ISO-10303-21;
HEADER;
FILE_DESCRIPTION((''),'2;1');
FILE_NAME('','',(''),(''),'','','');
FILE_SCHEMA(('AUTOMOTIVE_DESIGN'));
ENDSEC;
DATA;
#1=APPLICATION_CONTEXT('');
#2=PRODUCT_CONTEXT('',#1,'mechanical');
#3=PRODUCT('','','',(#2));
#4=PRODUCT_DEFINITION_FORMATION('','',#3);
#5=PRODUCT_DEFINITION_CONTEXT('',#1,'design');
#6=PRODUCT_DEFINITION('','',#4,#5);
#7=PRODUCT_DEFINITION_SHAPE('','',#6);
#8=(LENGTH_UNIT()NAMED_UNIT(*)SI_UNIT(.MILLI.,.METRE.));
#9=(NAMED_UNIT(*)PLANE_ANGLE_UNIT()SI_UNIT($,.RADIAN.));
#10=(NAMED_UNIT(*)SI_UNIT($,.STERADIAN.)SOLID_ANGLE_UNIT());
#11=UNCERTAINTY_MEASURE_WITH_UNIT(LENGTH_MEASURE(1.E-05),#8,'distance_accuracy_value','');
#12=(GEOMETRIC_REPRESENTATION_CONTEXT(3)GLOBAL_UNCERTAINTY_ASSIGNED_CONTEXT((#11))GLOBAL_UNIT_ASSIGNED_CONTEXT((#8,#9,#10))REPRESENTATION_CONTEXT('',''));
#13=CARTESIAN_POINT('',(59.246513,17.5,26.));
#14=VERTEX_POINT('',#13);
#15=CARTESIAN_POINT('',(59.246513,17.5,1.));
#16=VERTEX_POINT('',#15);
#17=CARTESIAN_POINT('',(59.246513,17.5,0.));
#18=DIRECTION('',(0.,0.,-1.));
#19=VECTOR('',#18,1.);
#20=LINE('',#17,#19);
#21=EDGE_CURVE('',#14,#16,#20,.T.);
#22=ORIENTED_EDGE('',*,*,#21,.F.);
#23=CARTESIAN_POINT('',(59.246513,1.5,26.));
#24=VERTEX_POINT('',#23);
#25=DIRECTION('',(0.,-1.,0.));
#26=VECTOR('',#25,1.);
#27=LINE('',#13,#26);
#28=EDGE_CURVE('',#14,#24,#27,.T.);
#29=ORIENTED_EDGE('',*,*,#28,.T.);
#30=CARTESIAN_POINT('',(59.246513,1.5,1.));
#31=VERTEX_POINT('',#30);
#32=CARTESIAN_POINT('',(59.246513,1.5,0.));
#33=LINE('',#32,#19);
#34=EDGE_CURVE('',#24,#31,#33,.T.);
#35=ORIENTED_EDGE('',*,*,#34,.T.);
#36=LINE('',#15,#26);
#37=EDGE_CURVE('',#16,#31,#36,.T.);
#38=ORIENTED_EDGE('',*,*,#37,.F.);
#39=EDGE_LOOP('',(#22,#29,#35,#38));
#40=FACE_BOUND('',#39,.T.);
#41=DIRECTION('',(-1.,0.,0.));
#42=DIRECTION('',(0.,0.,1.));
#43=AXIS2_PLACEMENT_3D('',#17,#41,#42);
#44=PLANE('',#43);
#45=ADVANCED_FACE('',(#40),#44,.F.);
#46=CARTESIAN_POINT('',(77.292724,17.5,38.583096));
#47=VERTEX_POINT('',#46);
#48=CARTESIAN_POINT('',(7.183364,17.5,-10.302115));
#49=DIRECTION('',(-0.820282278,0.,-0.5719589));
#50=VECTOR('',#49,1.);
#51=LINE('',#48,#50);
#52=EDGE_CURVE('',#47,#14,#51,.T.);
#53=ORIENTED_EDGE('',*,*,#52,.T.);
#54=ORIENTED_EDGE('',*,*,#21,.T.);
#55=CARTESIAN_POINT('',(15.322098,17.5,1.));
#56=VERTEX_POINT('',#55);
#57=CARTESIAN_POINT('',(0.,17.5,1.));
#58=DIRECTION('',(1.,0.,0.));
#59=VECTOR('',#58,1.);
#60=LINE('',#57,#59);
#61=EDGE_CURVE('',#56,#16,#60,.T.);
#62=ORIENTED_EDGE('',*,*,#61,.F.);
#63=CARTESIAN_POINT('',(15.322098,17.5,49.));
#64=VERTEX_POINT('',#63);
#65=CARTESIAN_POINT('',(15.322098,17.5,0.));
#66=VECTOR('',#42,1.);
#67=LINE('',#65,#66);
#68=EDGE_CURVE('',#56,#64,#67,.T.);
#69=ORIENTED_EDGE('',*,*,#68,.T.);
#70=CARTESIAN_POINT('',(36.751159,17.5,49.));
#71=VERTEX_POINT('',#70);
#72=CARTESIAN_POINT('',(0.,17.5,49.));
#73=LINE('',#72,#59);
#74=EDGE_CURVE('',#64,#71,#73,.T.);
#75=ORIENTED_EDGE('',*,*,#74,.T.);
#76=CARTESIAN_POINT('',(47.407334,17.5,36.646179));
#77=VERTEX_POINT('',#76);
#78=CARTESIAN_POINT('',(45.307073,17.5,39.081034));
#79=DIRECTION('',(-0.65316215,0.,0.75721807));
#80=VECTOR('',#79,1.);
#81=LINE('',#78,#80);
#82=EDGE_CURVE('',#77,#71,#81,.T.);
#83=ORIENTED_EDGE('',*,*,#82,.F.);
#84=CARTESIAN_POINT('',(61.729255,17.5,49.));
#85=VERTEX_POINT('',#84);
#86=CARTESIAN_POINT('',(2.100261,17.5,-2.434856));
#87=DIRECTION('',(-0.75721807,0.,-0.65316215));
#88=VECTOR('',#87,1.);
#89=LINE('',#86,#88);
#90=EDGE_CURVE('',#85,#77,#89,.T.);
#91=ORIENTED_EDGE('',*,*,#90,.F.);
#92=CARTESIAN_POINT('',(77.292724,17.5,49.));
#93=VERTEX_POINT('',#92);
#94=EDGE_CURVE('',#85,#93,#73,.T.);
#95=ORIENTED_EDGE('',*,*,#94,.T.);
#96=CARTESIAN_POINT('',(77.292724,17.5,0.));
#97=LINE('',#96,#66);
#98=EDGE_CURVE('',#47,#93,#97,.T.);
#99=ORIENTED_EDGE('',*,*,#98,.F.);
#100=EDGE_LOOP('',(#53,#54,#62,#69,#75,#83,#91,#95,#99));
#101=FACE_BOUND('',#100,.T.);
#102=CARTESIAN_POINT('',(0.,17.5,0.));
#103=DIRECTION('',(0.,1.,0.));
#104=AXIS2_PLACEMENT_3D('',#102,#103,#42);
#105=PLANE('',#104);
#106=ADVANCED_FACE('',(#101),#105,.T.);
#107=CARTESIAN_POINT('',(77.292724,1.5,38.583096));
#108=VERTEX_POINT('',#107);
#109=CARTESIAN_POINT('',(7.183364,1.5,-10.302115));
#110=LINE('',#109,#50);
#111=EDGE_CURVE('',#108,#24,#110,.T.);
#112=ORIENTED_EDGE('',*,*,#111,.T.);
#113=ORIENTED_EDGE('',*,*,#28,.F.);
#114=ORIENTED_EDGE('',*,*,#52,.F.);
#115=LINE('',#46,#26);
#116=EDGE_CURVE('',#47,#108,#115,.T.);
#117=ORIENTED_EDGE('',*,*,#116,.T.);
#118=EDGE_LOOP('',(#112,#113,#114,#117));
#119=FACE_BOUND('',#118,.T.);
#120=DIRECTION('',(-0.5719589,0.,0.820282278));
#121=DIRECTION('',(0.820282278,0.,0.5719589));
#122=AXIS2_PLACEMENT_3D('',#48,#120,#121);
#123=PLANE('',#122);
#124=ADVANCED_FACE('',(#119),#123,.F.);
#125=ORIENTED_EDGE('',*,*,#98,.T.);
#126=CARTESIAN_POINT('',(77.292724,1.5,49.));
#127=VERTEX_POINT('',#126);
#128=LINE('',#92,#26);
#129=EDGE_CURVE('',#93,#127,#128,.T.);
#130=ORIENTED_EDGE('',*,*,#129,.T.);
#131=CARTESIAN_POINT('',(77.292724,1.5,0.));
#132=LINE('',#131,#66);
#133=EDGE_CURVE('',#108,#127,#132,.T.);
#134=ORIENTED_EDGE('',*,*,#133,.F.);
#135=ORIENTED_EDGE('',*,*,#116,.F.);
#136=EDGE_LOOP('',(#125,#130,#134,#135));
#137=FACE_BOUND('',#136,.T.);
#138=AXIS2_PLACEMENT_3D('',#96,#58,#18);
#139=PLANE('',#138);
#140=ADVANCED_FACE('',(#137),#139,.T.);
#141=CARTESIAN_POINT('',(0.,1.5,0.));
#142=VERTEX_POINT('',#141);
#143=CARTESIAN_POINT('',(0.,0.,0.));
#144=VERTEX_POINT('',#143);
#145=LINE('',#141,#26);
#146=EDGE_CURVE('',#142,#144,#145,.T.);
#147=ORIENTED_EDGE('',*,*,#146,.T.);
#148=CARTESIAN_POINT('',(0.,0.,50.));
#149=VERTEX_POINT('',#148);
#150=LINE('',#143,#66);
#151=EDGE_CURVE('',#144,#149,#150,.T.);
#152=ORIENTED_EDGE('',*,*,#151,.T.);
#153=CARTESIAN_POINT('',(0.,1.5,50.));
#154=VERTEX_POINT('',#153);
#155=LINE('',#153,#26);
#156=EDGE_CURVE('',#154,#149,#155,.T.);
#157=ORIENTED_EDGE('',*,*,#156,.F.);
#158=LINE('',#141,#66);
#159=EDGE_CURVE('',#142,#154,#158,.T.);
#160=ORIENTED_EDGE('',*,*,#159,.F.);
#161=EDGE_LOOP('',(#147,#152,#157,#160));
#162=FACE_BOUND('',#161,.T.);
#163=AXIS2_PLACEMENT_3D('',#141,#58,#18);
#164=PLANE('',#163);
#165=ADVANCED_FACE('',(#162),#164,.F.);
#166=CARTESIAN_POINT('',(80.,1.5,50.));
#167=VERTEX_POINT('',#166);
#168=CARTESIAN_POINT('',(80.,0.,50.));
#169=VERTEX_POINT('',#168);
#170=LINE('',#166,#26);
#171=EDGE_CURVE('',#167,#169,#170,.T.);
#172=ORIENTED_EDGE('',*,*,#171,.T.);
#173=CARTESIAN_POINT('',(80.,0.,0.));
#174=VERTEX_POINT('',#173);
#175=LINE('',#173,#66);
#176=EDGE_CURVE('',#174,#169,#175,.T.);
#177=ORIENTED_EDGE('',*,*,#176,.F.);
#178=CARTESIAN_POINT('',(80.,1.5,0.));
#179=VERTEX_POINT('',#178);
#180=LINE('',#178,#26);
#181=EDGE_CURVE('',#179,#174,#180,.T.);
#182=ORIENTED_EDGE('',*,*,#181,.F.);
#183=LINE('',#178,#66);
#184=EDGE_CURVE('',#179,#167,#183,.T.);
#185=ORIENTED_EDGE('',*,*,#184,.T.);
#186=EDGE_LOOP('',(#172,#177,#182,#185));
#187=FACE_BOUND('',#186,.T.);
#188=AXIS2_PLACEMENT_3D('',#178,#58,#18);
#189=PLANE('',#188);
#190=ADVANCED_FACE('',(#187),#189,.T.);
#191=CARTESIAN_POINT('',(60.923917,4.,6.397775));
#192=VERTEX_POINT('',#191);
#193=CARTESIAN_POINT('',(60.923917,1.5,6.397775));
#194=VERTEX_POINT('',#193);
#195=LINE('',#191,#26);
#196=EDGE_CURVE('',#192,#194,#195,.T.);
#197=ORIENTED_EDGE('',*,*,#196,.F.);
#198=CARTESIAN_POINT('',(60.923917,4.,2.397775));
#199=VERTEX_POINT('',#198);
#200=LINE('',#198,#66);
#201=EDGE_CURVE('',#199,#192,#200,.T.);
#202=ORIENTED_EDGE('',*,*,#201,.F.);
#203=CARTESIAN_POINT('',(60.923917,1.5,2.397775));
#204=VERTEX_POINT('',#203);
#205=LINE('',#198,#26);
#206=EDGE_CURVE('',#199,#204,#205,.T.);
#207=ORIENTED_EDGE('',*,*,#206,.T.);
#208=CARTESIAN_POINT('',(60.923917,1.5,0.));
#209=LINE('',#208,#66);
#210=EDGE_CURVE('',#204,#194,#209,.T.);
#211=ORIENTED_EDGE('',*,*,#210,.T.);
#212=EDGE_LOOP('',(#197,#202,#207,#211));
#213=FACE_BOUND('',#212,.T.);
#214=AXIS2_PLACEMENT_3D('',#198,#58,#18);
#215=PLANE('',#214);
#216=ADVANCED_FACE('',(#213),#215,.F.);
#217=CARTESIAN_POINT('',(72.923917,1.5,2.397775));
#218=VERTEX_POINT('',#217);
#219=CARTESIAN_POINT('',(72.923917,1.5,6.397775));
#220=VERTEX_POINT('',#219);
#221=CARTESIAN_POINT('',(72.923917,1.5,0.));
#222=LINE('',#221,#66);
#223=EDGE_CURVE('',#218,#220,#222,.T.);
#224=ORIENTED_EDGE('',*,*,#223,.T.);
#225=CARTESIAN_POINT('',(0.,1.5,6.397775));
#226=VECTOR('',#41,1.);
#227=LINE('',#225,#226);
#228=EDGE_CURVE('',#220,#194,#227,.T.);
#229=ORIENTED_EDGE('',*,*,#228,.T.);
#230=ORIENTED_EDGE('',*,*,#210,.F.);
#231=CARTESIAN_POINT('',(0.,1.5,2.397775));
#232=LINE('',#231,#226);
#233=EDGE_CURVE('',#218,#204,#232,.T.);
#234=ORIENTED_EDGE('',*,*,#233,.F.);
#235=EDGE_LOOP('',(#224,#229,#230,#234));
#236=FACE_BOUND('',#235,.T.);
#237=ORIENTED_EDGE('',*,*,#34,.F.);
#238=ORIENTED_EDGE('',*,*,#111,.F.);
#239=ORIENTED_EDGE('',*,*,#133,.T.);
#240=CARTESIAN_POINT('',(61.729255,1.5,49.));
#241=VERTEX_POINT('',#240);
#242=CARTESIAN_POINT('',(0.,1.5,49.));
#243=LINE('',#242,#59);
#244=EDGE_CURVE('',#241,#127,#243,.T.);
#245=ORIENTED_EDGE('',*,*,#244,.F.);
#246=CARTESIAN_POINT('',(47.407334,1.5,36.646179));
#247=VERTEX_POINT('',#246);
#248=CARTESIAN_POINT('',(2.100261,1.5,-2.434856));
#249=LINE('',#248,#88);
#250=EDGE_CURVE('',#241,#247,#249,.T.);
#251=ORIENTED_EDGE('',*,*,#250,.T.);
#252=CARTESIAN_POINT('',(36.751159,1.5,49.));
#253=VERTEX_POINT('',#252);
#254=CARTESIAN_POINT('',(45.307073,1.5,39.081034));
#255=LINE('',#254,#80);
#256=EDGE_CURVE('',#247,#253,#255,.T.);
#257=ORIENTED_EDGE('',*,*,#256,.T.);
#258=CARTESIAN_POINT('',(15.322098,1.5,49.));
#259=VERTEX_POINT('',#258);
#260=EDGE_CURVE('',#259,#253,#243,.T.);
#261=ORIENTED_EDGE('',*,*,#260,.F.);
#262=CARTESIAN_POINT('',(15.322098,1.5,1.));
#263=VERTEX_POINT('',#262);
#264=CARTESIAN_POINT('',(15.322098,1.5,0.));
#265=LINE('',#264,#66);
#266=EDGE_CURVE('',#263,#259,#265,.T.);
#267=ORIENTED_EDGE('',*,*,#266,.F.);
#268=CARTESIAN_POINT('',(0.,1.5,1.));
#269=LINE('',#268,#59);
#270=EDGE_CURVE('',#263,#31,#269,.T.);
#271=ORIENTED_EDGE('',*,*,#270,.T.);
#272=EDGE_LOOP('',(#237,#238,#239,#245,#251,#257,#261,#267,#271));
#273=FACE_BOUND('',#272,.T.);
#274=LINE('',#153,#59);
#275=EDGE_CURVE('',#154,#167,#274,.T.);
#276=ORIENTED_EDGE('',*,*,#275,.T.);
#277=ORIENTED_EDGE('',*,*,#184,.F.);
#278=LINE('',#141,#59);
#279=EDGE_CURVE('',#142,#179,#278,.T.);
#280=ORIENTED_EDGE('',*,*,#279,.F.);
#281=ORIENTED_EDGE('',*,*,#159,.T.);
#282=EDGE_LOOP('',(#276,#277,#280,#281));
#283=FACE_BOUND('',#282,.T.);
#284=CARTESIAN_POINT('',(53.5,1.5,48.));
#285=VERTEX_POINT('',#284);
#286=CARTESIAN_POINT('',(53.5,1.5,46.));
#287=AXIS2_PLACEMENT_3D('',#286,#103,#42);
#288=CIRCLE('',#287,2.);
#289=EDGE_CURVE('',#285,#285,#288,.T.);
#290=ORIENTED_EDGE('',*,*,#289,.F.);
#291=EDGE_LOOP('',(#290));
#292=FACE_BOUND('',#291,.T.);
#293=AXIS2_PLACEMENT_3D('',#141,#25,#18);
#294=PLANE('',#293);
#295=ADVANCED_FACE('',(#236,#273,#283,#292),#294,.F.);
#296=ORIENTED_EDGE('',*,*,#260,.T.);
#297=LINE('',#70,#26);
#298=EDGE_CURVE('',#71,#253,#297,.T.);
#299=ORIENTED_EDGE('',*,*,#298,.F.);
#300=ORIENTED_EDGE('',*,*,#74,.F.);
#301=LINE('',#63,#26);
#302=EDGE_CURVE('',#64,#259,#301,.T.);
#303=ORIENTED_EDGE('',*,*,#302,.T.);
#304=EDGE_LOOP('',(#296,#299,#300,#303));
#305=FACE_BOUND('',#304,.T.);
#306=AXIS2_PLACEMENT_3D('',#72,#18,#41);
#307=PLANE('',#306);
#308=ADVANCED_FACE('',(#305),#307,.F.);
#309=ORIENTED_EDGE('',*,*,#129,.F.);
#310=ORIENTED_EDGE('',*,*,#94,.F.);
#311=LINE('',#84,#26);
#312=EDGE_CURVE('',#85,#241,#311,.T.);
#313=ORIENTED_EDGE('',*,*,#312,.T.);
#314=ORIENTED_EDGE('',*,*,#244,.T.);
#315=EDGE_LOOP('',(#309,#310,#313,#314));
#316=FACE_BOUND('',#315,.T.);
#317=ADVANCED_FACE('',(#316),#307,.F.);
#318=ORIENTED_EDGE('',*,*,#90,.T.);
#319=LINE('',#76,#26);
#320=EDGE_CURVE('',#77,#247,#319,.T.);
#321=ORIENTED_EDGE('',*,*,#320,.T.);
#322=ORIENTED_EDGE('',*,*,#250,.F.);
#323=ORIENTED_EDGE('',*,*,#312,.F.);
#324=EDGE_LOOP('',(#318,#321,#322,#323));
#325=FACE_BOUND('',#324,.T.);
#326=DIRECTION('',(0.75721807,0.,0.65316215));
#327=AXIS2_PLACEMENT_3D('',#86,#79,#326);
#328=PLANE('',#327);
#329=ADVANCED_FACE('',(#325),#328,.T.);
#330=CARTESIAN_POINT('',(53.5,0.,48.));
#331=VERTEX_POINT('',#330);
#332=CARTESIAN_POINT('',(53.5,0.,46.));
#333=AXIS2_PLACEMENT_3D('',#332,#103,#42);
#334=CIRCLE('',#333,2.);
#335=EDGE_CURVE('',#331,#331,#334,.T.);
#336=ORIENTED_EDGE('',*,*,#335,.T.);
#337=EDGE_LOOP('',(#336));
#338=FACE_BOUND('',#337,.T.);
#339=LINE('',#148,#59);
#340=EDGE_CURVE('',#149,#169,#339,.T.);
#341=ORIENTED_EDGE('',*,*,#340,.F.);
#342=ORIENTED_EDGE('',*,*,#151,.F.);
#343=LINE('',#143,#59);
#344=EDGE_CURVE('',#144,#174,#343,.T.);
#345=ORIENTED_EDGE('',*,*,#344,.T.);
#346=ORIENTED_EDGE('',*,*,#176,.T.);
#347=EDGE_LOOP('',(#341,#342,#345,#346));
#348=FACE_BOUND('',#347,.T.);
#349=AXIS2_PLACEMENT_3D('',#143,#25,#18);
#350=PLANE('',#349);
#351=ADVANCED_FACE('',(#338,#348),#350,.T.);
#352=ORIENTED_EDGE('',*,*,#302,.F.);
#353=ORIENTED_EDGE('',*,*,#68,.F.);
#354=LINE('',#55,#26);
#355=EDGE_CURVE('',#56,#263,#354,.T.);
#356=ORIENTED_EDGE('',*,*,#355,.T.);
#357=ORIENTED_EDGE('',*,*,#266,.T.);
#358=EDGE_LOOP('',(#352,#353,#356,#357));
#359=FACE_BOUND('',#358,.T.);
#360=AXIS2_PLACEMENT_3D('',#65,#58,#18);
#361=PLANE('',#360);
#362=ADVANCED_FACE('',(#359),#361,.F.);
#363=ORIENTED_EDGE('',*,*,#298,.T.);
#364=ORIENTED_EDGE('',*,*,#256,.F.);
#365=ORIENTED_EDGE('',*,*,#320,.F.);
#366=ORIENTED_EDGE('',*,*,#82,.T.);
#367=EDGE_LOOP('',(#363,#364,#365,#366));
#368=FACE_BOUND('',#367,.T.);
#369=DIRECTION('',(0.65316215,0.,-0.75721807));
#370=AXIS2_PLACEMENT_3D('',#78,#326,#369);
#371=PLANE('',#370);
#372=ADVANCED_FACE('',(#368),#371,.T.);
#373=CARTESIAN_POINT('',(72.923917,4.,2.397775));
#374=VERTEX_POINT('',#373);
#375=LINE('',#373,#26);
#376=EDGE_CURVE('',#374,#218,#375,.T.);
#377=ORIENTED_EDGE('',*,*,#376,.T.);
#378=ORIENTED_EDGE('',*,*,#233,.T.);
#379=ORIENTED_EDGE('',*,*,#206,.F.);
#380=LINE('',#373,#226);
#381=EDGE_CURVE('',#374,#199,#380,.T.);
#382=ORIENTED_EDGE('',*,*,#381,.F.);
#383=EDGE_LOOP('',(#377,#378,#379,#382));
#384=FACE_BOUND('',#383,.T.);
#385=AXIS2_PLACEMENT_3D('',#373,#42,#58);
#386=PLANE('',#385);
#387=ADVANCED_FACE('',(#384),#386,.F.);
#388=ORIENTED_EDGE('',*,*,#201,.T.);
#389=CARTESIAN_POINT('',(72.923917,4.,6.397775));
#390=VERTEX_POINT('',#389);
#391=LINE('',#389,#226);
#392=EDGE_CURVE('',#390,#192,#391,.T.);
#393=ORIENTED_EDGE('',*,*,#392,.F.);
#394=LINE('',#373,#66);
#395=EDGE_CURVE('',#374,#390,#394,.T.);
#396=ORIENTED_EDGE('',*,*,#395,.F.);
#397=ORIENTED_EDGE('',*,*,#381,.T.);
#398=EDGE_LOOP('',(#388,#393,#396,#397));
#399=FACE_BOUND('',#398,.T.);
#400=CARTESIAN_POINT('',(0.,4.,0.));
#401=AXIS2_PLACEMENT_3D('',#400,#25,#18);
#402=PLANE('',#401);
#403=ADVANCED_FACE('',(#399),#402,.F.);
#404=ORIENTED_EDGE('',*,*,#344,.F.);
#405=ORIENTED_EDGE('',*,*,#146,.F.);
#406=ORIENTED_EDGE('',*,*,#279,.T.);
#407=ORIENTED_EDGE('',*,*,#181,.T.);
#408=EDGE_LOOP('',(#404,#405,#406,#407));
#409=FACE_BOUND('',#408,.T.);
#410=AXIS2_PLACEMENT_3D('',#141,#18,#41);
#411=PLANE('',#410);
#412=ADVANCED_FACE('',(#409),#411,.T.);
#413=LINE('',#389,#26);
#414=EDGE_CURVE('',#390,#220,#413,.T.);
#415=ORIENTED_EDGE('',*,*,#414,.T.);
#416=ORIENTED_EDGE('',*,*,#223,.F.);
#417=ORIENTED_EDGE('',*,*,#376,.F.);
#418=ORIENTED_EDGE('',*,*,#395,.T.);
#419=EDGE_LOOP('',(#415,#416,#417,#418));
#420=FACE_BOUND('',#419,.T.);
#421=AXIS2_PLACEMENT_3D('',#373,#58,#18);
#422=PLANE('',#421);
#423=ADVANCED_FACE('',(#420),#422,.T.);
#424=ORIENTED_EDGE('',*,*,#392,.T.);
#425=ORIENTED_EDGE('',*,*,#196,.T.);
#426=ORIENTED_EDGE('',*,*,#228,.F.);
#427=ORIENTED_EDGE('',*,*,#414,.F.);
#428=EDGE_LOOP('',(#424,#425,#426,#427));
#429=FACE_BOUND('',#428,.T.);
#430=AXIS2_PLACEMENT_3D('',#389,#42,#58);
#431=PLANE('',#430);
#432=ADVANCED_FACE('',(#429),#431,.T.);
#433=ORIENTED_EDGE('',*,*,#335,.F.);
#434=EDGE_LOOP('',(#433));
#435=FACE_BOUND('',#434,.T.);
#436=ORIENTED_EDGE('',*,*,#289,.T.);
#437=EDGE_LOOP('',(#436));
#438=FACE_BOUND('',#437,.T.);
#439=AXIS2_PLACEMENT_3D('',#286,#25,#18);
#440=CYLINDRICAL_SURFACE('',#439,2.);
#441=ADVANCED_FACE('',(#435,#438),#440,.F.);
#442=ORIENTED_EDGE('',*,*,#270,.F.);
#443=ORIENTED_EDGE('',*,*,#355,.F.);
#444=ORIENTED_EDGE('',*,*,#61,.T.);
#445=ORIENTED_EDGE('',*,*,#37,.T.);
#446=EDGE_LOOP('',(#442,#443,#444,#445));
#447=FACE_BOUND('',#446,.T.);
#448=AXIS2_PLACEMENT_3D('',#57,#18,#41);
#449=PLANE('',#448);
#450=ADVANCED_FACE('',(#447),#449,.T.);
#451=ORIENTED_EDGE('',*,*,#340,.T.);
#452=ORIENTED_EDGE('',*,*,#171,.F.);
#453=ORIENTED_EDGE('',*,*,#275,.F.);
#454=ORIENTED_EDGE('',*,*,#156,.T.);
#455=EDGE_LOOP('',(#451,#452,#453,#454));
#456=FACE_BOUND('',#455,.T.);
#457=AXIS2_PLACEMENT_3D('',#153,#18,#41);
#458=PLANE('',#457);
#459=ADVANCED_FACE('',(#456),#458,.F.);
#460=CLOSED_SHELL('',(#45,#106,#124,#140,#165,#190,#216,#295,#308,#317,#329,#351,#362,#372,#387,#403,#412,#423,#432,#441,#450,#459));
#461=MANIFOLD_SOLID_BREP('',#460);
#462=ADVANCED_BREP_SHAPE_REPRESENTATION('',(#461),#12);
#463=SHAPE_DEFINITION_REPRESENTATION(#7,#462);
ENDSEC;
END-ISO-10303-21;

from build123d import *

# Parameters (mm, degrees)
SKETCH2_W           = 80
SKETCH2_H           = 50
SKETCH2_R           = 2
BOSS_EXTRUDE1_DEPTH = 1.5
BOSS_EXTRUDE2_DEPTH = 17.5
SKETCH2_5_W         = 12
SKETCH2_5_H         = 4
BOSS_EXTRUDE3_DEPTH = 4


with BuildPart() as part:
    # Sketch2 → Boss-Extrude1 (new body)
    with BuildSketch(Plane(origin=(0, 0, 0), x_dir=(1, 0, 0), z_dir=(0, 1, 0))):
        with Locations((40, -25)):
            Rectangle(SKETCH2_W, SKETCH2_H)
        with Locations((53.5, -46)):
            Circle(SKETCH2_R, mode=Mode.SUBTRACT)
    extrude(amount=BOSS_EXTRUDE1_DEPTH)

    # Sketch2<3> → Boss-Extrude2 (add)
    with BuildSketch(Plane(origin=(0, 0, 0), x_dir=(1, 0, 0), z_dir=(0, 1, 0))):
        Polygon((47.407334239, -36.646178921), (61.72925499, -49), (77.292723547, -49), (77.292723547, -38.583095808), (59.246513421, -26), (59.246513421, -1), (15.322098265, -1), (15.322098265, -49), (36.751159142, -49), align=None)
    extrude(amount=BOSS_EXTRUDE2_DEPTH)

    # Sketch2<5> → Boss-Extrude3 (add)
    with BuildSketch(Plane(origin=(0, 0, 0), x_dir=(1, 0, 0), z_dir=(0, 1, 0))):
        with Locations((66.923917494, -4.397775479)):
            Rectangle(SKETCH2_5_W, SKETCH2_5_H)
    extrude(amount=BOSS_EXTRUDE3_DEPTH)


solid = part.part
